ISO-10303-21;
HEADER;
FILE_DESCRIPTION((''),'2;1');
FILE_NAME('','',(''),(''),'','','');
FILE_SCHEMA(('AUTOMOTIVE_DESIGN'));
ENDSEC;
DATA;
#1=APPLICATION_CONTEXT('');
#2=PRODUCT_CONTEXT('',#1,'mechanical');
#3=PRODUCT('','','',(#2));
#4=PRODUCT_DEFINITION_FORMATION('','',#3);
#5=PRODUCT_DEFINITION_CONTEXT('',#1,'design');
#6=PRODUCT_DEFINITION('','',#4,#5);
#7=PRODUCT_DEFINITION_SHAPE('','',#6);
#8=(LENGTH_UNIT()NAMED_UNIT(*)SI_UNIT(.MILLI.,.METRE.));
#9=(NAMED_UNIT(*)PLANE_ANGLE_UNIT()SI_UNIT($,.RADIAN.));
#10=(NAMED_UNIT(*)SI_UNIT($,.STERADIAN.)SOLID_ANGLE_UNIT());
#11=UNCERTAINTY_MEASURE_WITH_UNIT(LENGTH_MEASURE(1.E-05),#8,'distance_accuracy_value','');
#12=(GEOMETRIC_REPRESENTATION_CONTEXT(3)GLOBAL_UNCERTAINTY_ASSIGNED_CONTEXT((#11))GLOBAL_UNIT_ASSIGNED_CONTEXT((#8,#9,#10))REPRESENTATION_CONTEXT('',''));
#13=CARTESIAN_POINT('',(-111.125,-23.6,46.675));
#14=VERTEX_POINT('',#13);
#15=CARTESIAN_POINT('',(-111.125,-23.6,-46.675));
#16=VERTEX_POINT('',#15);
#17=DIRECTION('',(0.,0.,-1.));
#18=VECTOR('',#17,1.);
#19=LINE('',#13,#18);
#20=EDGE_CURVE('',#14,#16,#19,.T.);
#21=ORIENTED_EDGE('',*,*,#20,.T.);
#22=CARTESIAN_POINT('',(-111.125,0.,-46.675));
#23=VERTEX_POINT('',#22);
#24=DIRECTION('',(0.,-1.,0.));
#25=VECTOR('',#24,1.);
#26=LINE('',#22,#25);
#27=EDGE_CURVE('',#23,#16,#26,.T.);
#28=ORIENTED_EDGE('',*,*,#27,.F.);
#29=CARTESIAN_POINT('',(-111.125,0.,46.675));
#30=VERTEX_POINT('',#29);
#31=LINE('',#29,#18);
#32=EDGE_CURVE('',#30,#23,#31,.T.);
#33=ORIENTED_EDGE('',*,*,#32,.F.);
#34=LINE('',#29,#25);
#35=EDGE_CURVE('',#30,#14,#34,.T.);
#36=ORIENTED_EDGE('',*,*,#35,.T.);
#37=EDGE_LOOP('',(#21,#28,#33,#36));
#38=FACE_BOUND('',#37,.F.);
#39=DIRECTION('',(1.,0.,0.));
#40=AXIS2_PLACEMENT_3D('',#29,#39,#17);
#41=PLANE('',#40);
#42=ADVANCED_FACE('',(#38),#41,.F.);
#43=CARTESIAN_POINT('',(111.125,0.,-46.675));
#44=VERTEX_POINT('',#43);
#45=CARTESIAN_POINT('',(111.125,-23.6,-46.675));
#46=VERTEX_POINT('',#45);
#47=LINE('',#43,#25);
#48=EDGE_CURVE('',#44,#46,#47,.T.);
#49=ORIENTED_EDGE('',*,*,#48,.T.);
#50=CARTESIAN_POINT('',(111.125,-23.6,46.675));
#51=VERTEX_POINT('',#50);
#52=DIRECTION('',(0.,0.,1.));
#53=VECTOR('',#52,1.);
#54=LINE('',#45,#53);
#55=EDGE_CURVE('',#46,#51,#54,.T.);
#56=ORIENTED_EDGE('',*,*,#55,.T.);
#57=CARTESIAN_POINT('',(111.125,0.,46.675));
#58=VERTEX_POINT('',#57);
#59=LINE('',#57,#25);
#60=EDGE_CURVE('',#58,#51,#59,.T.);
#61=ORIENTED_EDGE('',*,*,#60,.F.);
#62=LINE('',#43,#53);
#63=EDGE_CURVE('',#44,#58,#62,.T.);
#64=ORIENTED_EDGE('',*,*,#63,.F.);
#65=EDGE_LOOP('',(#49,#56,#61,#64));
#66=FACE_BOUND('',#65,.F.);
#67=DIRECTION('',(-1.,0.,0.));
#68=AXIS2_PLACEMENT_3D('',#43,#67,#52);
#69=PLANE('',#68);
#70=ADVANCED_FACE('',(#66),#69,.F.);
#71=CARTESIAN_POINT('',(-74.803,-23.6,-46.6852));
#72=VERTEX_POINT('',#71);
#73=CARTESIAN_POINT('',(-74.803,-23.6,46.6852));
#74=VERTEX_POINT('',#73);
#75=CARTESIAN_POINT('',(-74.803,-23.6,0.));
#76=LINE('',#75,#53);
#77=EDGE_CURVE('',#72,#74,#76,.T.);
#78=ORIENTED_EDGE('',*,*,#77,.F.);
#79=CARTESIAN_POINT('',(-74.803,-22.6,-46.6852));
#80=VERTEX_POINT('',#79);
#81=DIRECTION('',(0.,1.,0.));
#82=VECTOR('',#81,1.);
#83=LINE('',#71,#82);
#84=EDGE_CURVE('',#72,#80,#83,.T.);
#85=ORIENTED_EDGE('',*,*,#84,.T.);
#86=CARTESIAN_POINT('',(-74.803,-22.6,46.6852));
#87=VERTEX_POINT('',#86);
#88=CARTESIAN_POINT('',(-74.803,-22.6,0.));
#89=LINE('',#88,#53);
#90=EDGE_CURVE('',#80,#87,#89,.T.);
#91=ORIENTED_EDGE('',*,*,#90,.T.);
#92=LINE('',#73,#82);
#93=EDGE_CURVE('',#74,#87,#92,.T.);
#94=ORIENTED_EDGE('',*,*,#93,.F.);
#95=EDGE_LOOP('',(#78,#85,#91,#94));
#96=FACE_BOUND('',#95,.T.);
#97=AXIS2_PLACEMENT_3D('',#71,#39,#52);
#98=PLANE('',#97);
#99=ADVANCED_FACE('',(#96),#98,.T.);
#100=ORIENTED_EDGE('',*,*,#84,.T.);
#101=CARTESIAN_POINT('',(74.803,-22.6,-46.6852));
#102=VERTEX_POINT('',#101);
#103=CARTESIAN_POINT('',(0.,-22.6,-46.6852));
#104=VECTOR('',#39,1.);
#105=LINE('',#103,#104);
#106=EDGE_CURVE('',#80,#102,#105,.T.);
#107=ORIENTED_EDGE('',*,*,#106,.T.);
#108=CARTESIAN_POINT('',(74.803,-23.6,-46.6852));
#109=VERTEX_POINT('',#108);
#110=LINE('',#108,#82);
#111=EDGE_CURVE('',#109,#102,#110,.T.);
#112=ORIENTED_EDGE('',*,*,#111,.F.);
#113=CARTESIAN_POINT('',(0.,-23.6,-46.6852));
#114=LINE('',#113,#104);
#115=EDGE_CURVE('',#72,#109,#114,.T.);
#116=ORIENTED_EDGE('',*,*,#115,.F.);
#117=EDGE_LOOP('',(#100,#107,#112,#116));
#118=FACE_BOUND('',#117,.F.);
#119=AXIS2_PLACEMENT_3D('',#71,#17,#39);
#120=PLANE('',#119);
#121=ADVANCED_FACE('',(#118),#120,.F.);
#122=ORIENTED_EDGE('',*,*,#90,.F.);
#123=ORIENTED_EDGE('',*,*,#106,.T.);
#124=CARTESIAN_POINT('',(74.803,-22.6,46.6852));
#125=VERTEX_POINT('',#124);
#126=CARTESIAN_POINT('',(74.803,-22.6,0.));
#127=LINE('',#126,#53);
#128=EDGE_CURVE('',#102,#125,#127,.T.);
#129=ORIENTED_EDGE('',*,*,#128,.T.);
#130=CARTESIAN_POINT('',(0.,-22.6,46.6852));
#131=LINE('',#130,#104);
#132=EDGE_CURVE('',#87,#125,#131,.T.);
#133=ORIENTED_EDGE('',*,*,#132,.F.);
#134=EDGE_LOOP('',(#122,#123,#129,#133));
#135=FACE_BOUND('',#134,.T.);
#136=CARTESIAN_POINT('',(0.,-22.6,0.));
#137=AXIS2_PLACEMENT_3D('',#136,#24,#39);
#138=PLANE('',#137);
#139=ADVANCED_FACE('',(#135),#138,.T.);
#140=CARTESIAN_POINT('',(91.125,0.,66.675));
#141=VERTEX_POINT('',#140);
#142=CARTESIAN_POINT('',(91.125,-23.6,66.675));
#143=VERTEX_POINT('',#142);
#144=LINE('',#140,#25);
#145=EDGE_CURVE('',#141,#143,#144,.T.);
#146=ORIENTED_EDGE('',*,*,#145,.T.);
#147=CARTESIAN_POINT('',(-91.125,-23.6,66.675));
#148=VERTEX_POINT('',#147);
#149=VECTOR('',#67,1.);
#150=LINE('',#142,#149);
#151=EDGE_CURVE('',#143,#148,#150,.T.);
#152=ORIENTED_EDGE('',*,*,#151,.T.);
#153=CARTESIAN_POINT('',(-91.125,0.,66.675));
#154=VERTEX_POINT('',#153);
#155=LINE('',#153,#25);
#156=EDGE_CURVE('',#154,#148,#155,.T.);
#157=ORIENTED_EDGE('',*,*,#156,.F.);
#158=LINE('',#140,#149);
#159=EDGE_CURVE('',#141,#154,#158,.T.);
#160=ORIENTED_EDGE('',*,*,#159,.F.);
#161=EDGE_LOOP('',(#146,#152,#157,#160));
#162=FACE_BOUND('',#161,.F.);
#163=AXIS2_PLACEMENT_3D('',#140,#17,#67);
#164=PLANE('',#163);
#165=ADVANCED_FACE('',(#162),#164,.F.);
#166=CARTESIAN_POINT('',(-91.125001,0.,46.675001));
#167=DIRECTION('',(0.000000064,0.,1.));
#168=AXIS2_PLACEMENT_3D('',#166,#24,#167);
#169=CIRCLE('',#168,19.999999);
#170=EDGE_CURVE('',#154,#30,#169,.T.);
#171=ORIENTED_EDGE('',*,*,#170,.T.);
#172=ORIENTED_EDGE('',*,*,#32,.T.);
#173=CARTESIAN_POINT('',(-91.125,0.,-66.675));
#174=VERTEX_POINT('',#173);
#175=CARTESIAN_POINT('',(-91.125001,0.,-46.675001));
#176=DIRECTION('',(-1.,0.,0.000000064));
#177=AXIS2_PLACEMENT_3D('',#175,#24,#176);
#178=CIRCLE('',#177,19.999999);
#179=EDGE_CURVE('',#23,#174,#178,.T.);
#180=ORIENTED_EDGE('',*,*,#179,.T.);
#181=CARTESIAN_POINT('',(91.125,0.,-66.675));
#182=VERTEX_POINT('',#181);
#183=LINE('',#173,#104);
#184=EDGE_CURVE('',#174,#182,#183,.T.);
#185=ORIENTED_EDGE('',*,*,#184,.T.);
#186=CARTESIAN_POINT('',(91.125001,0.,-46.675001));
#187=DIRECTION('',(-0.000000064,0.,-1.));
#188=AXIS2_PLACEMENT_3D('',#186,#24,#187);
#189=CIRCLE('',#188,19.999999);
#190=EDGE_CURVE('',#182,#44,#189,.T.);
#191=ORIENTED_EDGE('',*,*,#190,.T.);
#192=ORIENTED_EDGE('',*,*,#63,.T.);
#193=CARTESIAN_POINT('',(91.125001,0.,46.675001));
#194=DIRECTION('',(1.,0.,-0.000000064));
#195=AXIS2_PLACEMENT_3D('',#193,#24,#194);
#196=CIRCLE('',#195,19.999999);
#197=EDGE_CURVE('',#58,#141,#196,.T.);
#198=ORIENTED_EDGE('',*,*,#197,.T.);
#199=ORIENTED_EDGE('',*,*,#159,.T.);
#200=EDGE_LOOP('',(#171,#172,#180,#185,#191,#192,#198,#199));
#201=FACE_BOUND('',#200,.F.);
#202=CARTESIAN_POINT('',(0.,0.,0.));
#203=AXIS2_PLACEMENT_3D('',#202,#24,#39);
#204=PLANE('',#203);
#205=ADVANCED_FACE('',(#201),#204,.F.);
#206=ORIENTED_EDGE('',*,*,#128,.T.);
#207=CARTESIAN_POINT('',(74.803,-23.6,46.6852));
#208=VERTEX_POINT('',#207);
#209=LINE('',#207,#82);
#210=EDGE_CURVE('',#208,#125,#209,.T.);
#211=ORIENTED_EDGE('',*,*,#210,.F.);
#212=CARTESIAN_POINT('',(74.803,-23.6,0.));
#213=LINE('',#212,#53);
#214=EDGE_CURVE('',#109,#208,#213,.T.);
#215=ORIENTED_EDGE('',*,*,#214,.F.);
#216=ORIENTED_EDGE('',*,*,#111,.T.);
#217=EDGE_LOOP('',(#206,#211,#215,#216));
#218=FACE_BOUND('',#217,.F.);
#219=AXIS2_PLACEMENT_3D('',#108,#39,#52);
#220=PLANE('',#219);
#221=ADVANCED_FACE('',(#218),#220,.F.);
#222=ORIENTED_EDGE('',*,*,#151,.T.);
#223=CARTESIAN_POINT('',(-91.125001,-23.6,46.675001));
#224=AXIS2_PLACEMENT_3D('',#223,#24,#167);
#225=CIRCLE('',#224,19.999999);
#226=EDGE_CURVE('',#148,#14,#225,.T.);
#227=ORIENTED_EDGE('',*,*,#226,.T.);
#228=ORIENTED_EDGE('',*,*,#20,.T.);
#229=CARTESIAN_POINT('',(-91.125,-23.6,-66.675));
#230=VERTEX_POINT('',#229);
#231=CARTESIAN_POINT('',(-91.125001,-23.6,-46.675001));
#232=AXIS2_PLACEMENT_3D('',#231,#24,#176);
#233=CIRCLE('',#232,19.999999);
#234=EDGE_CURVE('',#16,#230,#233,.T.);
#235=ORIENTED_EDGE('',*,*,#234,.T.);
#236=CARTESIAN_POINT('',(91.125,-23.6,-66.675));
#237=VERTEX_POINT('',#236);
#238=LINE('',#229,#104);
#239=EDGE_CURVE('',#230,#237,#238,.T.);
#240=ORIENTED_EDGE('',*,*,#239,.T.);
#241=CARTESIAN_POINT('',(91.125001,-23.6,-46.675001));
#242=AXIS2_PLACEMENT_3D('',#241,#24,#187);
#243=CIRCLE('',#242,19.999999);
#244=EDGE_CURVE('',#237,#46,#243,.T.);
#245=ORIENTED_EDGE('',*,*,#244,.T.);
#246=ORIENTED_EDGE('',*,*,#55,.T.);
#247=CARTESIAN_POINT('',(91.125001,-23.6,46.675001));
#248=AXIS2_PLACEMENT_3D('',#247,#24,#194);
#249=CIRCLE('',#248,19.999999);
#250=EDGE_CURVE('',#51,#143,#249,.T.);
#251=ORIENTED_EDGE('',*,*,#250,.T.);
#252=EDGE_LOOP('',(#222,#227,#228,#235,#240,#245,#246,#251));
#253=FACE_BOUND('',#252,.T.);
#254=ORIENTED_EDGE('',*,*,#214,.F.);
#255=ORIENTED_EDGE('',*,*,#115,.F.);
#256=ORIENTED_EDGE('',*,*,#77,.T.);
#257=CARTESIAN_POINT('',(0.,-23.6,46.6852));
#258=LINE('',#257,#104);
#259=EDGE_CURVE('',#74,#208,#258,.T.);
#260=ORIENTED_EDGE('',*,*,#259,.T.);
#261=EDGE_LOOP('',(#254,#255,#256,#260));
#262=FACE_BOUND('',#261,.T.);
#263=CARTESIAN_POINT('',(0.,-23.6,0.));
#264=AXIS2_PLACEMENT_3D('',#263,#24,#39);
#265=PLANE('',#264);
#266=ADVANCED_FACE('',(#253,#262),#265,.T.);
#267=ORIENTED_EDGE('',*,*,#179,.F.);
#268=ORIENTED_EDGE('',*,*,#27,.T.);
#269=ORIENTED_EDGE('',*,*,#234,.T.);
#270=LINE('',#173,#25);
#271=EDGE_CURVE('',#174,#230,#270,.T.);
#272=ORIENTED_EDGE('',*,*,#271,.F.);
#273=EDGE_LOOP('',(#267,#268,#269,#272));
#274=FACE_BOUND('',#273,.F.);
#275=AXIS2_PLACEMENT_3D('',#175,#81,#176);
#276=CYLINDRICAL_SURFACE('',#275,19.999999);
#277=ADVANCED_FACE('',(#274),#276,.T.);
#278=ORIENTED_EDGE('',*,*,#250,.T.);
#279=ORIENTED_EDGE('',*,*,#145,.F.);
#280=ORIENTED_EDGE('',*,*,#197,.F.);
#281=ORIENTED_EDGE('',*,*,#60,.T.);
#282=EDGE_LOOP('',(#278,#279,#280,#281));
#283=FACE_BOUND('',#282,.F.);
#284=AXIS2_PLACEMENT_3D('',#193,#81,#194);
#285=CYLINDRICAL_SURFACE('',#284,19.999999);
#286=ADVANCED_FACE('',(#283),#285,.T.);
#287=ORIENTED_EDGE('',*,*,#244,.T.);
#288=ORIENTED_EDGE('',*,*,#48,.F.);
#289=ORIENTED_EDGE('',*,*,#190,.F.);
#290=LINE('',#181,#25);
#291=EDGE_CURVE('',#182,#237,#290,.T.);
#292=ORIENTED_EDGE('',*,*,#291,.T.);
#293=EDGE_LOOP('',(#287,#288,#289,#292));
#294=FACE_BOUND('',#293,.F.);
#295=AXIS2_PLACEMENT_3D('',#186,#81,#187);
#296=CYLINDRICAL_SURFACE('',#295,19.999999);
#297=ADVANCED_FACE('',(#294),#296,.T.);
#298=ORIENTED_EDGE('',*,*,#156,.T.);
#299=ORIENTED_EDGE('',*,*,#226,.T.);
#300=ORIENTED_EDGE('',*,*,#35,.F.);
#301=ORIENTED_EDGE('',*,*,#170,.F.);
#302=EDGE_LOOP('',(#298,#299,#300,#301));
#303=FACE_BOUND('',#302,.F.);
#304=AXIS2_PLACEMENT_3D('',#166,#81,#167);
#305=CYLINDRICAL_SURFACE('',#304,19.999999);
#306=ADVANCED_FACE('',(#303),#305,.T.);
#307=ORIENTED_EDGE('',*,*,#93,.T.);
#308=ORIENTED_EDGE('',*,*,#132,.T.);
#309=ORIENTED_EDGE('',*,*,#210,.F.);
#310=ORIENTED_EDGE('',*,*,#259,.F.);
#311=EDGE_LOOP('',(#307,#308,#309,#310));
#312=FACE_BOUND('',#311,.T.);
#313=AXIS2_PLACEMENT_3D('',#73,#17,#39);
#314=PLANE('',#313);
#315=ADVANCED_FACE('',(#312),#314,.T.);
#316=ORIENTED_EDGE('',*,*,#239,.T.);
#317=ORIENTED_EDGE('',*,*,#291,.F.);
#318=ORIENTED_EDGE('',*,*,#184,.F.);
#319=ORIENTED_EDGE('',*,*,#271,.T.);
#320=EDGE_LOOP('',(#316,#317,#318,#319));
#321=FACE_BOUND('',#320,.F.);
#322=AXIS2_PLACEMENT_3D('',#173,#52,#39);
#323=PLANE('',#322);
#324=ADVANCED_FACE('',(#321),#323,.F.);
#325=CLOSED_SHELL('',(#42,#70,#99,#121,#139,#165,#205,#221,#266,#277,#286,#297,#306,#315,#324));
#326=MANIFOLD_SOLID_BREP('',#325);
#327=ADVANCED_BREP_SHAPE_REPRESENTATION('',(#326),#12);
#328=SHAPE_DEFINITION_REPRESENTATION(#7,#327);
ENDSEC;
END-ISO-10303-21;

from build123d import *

# Parameters (mm, degrees)
F1_DEPTH = 23.6
F2_W     = 149.606
F2_H     = 93.3704
F3_DEPTH = 1


with BuildPart() as f1:
    # F0 (on Front) → F1 (new body)
    with BuildSketch(Plane.XZ):
        with BuildLine():
            Line((91.125, 66.675), (-91.125, 66.675))
            ThreePointArc((-91.125, 66.675), (-105.267136, 60.817136), (-111.125, 46.675))
            Line((-111.125, 46.675), (-111.125, -46.675))
            ThreePointArc((-111.125, -46.675), (-105.267136, -60.817136), (-91.125, -66.675))
            Line((-91.125, -66.675), (91.125, -66.675))
            ThreePointArc((91.125, -66.675), (105.267136, -60.817136), (111.125, -46.675))
            Line((111.125, -46.675), (111.125, 46.675))
            ThreePointArc((111.125, 46.675), (105.267136, 60.817136), (91.125, 66.675))
        make_face()
    extrude(amount=F1_DEPTH)

    # F2 (on face) → F3 (cut)
    with BuildSketch(Plane.XZ.offset(23.6)):
        Rectangle(F2_W, F2_H)
    extrude(amount=-F3_DEPTH, mode=Mode.SUBTRACT)


solid = f1.part
